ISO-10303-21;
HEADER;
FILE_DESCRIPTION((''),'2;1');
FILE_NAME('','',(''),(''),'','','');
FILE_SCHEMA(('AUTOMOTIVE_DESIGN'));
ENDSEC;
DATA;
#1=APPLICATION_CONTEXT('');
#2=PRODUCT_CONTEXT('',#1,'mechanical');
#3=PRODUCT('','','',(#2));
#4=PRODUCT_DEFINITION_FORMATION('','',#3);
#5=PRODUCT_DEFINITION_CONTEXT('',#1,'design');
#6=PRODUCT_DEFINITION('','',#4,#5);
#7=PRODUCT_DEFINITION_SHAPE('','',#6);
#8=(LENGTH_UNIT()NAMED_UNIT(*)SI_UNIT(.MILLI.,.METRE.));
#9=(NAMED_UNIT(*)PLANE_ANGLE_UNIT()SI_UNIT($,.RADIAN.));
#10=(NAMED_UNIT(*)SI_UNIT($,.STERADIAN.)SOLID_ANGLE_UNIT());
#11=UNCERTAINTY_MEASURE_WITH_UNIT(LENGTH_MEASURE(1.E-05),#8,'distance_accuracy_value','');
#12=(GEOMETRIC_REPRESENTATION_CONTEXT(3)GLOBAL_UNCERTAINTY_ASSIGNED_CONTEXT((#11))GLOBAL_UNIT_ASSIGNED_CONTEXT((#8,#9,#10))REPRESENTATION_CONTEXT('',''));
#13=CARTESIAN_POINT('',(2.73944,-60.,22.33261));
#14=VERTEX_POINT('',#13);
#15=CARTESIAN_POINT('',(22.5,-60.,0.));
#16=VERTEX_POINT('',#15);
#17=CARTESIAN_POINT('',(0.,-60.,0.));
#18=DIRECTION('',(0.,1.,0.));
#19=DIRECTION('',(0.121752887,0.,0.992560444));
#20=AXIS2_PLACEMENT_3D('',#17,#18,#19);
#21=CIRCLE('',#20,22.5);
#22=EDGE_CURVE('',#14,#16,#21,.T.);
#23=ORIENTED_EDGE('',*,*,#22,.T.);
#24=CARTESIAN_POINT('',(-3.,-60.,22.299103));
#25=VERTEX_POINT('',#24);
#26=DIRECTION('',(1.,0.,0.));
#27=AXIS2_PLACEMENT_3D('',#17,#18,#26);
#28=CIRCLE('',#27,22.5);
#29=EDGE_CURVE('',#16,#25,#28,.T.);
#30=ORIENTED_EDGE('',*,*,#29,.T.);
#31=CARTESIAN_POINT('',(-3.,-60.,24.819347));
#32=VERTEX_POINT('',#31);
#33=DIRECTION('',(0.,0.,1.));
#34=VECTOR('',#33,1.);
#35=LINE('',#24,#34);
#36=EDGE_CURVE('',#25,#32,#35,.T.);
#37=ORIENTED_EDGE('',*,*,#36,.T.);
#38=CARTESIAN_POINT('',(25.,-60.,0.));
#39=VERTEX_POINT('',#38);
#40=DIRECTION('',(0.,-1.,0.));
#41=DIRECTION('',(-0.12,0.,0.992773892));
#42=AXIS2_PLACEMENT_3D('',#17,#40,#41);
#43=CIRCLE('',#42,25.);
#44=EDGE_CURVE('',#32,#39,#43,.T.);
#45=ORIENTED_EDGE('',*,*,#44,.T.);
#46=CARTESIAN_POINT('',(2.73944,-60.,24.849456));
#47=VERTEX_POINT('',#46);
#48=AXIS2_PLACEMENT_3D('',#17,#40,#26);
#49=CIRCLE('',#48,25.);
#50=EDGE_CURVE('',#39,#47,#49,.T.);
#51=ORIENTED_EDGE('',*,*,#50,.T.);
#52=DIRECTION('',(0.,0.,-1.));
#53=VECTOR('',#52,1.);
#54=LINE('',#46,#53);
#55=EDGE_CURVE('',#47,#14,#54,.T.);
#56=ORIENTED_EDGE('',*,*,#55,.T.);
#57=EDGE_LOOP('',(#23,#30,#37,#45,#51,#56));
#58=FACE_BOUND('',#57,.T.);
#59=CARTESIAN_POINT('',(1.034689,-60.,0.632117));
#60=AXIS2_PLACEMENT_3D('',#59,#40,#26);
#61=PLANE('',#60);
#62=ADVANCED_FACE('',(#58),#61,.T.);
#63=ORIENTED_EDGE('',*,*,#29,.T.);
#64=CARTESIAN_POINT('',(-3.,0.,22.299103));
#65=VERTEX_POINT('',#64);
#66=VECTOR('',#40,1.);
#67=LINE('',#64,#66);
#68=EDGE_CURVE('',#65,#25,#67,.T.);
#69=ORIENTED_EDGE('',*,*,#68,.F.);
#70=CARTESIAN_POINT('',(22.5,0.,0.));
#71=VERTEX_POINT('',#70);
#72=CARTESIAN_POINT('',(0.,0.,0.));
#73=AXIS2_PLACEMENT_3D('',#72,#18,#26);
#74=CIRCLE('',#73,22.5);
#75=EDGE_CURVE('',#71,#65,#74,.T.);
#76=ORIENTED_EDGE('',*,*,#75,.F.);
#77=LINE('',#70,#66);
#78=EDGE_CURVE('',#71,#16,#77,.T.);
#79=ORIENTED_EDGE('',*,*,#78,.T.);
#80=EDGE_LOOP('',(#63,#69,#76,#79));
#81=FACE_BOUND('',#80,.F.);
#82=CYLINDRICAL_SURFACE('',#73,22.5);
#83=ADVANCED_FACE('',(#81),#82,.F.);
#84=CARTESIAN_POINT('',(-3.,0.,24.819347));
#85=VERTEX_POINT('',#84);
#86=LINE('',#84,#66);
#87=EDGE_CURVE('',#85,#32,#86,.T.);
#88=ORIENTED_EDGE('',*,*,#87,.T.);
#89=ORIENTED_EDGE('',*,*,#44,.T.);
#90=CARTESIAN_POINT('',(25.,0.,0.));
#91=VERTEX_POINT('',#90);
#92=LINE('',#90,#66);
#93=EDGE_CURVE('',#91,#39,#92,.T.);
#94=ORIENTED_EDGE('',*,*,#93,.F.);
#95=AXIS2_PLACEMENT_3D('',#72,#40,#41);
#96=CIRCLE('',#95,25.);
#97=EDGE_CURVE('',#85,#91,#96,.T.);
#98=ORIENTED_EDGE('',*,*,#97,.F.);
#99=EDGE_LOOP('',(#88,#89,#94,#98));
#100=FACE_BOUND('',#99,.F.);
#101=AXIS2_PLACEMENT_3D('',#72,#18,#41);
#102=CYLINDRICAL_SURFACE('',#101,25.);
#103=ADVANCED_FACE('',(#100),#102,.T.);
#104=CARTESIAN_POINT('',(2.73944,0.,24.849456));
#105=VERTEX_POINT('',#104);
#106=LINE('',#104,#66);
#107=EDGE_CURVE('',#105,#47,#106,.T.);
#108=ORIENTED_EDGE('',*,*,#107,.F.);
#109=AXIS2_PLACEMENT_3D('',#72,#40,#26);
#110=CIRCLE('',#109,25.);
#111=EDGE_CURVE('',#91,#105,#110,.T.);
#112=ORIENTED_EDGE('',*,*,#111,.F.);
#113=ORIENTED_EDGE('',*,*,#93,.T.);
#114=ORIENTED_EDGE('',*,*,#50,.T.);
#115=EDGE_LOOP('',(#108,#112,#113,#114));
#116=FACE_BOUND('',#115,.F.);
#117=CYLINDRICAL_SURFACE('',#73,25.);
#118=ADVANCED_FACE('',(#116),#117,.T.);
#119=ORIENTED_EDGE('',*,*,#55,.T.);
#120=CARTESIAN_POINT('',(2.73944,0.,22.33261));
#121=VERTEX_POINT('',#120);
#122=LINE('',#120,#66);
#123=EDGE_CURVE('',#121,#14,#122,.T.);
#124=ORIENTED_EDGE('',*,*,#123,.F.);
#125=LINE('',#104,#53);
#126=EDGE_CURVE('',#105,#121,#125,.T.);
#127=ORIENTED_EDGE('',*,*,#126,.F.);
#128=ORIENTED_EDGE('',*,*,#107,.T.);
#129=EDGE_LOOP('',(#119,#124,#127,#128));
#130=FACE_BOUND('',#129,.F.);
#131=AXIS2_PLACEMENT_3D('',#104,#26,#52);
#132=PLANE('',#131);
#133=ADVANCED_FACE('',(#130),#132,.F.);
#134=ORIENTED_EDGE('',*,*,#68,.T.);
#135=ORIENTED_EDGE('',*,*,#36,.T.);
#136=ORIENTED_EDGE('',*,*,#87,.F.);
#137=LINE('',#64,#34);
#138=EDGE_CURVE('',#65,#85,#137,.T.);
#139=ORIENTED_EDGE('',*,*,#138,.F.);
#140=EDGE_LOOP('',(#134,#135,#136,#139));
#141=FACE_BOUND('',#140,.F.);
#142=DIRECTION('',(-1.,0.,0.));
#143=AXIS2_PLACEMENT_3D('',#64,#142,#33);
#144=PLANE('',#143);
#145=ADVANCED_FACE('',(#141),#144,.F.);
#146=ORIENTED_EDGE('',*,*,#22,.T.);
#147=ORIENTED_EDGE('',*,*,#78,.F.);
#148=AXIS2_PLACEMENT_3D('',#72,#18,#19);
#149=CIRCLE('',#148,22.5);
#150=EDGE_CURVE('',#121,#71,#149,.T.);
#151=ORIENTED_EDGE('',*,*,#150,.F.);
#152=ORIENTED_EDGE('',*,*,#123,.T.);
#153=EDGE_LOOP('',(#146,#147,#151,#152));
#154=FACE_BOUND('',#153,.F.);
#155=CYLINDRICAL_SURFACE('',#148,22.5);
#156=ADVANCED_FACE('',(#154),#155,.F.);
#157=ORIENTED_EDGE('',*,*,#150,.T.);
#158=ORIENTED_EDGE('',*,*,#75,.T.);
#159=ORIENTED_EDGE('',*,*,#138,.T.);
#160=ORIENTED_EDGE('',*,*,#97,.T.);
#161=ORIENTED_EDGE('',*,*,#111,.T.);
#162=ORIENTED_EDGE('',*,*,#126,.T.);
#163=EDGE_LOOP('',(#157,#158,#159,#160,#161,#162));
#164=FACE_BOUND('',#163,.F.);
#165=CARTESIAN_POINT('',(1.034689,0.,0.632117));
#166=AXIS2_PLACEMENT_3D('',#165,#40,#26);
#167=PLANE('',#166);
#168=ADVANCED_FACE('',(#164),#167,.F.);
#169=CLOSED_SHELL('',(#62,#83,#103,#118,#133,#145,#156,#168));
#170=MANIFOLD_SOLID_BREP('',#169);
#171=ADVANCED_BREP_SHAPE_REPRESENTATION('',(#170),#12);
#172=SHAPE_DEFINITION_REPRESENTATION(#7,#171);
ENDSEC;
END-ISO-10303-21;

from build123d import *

# Parameters (mm, degrees)
F1_DEPTH = 60


with BuildPart() as f1:
    # F0 (on Front) → F1 (new body)
    with BuildSketch(Plane.XZ):
        with BuildLine():
            ThreePointArc((2.7394399513, 22.3326099853), (16.8506290521, 14.9099396561), (22.5, 0))
            ThreePointArc((22.5, 0), (-14.8113132436, -16.937384686), (-3, 22.299103121))
            Line((-3, 22.299103121), (-3, 24.819347292))
            ThreePointArc((-3, 24.819347292), (-16.5831239518, -18.7082869339), (25, 0))
            ThreePointArc((25, 0), (18.6210364747, 16.6810371563), (2.7394399513, 24.8494561058))
            Line((2.7394399513, 24.8494561058), (2.7394399513, 22.3326099853))
        make_face()
    extrude(amount=F1_DEPTH)


solid = f1.part
